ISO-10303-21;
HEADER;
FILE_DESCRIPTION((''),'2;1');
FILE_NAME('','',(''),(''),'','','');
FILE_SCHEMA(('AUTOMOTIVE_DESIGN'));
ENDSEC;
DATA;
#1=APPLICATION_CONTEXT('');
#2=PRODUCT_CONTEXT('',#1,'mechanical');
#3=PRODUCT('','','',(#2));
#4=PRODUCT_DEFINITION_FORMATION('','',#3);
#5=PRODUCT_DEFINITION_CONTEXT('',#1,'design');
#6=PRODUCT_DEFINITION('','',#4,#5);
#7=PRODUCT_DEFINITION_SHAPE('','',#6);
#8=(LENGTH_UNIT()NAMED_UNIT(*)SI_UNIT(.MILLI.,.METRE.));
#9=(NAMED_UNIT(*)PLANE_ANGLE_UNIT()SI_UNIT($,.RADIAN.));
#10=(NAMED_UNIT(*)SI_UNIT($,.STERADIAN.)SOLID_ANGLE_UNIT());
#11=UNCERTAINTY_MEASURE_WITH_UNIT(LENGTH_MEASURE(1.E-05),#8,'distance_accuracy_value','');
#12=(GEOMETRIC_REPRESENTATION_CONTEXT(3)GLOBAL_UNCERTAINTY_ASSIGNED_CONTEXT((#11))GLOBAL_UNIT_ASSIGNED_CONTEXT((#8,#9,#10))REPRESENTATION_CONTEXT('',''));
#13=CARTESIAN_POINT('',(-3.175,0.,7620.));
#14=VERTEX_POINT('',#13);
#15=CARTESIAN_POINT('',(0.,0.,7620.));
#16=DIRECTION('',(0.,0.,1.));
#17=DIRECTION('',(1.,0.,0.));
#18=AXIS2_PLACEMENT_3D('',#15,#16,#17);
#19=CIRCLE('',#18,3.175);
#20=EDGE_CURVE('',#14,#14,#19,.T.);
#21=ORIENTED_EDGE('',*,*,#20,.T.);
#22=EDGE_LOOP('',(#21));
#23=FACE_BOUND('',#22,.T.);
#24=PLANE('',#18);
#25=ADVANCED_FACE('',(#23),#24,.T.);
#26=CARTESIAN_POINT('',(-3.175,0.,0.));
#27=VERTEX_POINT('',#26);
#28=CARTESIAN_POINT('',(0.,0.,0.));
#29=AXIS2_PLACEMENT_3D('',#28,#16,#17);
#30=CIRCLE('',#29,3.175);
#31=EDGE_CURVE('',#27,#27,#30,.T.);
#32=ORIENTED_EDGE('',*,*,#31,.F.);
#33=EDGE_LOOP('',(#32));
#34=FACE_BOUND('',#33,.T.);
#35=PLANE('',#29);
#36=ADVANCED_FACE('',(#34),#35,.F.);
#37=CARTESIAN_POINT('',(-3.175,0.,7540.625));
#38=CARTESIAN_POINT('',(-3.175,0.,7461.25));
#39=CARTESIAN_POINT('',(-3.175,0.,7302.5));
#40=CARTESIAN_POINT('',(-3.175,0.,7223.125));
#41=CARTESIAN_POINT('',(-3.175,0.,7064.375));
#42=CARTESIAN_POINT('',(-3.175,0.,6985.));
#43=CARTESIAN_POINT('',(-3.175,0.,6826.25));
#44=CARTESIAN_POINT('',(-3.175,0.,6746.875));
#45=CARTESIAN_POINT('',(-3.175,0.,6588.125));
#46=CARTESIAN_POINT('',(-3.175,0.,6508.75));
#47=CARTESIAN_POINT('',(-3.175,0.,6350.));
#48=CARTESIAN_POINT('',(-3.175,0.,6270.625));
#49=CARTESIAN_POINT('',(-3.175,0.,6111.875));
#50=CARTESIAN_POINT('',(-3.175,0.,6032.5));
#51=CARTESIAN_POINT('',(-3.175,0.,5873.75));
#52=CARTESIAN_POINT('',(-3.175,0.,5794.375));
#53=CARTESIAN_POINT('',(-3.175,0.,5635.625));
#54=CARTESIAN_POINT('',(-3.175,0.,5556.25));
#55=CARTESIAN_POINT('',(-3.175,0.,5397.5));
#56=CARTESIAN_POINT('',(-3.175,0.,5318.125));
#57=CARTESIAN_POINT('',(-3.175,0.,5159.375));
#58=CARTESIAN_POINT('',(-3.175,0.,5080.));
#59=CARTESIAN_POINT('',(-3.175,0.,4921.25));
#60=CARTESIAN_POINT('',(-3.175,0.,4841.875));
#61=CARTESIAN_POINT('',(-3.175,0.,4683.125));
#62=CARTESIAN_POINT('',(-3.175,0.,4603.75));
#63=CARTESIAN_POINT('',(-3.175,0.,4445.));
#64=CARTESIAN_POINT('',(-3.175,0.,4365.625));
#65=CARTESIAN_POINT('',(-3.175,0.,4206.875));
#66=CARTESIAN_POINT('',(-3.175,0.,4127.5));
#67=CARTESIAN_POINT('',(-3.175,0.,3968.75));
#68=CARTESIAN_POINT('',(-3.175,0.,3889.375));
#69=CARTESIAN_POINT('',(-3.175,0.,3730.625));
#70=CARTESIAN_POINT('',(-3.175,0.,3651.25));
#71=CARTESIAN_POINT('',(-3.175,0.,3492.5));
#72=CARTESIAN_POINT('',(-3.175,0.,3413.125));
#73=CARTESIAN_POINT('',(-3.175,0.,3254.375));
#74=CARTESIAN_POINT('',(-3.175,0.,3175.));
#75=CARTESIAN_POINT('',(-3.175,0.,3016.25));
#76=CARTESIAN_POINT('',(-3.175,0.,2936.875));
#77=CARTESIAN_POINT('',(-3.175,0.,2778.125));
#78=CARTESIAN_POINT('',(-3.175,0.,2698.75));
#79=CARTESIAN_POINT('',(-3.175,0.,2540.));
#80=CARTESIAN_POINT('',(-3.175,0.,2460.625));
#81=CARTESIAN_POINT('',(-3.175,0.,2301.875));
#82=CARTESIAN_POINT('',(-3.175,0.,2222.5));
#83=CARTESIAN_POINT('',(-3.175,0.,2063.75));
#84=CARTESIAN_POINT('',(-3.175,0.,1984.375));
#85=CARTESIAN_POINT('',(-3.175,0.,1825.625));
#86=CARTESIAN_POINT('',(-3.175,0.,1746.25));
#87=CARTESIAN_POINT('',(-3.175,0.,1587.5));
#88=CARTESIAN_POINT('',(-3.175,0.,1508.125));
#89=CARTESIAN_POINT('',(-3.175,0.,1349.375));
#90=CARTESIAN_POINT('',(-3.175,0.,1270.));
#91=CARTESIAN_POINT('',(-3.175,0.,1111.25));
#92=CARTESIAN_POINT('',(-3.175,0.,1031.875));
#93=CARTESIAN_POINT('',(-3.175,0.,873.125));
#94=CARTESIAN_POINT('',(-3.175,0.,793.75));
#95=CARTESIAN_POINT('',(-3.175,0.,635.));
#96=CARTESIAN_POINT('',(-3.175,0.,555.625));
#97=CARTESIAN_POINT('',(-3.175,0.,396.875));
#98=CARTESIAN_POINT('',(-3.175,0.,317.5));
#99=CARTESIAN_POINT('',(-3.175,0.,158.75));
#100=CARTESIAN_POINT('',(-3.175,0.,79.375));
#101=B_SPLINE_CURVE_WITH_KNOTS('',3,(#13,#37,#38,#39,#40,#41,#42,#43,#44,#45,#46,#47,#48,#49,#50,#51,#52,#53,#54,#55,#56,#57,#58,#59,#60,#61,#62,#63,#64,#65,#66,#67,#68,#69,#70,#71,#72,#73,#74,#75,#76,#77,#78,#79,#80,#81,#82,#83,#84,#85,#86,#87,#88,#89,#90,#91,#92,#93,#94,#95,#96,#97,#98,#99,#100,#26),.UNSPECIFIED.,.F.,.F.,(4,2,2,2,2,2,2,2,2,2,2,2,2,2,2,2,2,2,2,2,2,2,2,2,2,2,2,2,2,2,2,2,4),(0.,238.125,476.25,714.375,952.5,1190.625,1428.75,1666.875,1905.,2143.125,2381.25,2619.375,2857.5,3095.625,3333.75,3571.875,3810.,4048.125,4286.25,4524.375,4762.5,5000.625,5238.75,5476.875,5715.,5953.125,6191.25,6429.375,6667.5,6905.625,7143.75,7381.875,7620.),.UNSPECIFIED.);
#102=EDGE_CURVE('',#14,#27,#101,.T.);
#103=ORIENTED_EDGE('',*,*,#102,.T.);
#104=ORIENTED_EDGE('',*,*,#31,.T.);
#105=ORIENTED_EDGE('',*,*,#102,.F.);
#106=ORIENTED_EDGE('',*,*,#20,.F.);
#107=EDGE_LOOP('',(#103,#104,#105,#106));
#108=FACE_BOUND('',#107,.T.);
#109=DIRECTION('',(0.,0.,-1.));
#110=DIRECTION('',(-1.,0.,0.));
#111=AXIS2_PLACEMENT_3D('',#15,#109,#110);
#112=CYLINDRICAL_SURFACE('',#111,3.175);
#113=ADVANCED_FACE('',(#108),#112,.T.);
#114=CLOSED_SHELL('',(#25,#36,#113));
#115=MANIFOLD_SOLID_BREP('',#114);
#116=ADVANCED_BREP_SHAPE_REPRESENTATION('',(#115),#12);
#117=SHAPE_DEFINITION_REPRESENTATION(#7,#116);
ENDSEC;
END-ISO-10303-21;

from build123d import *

# Parameters (mm, degrees)
SKETCH1_R      = 3.175
EXTRUDE1_DEPTH = 7620


with BuildPart() as part:
    # Sketch1 → Extrude1 (new body)
    with BuildSketch(Plane.XY):
        with Locations(Location((0, 0, 0), (0, 0, 180))):
            Circle(SKETCH1_R)
    extrude(amount=EXTRUDE1_DEPTH)


solid = part.part
